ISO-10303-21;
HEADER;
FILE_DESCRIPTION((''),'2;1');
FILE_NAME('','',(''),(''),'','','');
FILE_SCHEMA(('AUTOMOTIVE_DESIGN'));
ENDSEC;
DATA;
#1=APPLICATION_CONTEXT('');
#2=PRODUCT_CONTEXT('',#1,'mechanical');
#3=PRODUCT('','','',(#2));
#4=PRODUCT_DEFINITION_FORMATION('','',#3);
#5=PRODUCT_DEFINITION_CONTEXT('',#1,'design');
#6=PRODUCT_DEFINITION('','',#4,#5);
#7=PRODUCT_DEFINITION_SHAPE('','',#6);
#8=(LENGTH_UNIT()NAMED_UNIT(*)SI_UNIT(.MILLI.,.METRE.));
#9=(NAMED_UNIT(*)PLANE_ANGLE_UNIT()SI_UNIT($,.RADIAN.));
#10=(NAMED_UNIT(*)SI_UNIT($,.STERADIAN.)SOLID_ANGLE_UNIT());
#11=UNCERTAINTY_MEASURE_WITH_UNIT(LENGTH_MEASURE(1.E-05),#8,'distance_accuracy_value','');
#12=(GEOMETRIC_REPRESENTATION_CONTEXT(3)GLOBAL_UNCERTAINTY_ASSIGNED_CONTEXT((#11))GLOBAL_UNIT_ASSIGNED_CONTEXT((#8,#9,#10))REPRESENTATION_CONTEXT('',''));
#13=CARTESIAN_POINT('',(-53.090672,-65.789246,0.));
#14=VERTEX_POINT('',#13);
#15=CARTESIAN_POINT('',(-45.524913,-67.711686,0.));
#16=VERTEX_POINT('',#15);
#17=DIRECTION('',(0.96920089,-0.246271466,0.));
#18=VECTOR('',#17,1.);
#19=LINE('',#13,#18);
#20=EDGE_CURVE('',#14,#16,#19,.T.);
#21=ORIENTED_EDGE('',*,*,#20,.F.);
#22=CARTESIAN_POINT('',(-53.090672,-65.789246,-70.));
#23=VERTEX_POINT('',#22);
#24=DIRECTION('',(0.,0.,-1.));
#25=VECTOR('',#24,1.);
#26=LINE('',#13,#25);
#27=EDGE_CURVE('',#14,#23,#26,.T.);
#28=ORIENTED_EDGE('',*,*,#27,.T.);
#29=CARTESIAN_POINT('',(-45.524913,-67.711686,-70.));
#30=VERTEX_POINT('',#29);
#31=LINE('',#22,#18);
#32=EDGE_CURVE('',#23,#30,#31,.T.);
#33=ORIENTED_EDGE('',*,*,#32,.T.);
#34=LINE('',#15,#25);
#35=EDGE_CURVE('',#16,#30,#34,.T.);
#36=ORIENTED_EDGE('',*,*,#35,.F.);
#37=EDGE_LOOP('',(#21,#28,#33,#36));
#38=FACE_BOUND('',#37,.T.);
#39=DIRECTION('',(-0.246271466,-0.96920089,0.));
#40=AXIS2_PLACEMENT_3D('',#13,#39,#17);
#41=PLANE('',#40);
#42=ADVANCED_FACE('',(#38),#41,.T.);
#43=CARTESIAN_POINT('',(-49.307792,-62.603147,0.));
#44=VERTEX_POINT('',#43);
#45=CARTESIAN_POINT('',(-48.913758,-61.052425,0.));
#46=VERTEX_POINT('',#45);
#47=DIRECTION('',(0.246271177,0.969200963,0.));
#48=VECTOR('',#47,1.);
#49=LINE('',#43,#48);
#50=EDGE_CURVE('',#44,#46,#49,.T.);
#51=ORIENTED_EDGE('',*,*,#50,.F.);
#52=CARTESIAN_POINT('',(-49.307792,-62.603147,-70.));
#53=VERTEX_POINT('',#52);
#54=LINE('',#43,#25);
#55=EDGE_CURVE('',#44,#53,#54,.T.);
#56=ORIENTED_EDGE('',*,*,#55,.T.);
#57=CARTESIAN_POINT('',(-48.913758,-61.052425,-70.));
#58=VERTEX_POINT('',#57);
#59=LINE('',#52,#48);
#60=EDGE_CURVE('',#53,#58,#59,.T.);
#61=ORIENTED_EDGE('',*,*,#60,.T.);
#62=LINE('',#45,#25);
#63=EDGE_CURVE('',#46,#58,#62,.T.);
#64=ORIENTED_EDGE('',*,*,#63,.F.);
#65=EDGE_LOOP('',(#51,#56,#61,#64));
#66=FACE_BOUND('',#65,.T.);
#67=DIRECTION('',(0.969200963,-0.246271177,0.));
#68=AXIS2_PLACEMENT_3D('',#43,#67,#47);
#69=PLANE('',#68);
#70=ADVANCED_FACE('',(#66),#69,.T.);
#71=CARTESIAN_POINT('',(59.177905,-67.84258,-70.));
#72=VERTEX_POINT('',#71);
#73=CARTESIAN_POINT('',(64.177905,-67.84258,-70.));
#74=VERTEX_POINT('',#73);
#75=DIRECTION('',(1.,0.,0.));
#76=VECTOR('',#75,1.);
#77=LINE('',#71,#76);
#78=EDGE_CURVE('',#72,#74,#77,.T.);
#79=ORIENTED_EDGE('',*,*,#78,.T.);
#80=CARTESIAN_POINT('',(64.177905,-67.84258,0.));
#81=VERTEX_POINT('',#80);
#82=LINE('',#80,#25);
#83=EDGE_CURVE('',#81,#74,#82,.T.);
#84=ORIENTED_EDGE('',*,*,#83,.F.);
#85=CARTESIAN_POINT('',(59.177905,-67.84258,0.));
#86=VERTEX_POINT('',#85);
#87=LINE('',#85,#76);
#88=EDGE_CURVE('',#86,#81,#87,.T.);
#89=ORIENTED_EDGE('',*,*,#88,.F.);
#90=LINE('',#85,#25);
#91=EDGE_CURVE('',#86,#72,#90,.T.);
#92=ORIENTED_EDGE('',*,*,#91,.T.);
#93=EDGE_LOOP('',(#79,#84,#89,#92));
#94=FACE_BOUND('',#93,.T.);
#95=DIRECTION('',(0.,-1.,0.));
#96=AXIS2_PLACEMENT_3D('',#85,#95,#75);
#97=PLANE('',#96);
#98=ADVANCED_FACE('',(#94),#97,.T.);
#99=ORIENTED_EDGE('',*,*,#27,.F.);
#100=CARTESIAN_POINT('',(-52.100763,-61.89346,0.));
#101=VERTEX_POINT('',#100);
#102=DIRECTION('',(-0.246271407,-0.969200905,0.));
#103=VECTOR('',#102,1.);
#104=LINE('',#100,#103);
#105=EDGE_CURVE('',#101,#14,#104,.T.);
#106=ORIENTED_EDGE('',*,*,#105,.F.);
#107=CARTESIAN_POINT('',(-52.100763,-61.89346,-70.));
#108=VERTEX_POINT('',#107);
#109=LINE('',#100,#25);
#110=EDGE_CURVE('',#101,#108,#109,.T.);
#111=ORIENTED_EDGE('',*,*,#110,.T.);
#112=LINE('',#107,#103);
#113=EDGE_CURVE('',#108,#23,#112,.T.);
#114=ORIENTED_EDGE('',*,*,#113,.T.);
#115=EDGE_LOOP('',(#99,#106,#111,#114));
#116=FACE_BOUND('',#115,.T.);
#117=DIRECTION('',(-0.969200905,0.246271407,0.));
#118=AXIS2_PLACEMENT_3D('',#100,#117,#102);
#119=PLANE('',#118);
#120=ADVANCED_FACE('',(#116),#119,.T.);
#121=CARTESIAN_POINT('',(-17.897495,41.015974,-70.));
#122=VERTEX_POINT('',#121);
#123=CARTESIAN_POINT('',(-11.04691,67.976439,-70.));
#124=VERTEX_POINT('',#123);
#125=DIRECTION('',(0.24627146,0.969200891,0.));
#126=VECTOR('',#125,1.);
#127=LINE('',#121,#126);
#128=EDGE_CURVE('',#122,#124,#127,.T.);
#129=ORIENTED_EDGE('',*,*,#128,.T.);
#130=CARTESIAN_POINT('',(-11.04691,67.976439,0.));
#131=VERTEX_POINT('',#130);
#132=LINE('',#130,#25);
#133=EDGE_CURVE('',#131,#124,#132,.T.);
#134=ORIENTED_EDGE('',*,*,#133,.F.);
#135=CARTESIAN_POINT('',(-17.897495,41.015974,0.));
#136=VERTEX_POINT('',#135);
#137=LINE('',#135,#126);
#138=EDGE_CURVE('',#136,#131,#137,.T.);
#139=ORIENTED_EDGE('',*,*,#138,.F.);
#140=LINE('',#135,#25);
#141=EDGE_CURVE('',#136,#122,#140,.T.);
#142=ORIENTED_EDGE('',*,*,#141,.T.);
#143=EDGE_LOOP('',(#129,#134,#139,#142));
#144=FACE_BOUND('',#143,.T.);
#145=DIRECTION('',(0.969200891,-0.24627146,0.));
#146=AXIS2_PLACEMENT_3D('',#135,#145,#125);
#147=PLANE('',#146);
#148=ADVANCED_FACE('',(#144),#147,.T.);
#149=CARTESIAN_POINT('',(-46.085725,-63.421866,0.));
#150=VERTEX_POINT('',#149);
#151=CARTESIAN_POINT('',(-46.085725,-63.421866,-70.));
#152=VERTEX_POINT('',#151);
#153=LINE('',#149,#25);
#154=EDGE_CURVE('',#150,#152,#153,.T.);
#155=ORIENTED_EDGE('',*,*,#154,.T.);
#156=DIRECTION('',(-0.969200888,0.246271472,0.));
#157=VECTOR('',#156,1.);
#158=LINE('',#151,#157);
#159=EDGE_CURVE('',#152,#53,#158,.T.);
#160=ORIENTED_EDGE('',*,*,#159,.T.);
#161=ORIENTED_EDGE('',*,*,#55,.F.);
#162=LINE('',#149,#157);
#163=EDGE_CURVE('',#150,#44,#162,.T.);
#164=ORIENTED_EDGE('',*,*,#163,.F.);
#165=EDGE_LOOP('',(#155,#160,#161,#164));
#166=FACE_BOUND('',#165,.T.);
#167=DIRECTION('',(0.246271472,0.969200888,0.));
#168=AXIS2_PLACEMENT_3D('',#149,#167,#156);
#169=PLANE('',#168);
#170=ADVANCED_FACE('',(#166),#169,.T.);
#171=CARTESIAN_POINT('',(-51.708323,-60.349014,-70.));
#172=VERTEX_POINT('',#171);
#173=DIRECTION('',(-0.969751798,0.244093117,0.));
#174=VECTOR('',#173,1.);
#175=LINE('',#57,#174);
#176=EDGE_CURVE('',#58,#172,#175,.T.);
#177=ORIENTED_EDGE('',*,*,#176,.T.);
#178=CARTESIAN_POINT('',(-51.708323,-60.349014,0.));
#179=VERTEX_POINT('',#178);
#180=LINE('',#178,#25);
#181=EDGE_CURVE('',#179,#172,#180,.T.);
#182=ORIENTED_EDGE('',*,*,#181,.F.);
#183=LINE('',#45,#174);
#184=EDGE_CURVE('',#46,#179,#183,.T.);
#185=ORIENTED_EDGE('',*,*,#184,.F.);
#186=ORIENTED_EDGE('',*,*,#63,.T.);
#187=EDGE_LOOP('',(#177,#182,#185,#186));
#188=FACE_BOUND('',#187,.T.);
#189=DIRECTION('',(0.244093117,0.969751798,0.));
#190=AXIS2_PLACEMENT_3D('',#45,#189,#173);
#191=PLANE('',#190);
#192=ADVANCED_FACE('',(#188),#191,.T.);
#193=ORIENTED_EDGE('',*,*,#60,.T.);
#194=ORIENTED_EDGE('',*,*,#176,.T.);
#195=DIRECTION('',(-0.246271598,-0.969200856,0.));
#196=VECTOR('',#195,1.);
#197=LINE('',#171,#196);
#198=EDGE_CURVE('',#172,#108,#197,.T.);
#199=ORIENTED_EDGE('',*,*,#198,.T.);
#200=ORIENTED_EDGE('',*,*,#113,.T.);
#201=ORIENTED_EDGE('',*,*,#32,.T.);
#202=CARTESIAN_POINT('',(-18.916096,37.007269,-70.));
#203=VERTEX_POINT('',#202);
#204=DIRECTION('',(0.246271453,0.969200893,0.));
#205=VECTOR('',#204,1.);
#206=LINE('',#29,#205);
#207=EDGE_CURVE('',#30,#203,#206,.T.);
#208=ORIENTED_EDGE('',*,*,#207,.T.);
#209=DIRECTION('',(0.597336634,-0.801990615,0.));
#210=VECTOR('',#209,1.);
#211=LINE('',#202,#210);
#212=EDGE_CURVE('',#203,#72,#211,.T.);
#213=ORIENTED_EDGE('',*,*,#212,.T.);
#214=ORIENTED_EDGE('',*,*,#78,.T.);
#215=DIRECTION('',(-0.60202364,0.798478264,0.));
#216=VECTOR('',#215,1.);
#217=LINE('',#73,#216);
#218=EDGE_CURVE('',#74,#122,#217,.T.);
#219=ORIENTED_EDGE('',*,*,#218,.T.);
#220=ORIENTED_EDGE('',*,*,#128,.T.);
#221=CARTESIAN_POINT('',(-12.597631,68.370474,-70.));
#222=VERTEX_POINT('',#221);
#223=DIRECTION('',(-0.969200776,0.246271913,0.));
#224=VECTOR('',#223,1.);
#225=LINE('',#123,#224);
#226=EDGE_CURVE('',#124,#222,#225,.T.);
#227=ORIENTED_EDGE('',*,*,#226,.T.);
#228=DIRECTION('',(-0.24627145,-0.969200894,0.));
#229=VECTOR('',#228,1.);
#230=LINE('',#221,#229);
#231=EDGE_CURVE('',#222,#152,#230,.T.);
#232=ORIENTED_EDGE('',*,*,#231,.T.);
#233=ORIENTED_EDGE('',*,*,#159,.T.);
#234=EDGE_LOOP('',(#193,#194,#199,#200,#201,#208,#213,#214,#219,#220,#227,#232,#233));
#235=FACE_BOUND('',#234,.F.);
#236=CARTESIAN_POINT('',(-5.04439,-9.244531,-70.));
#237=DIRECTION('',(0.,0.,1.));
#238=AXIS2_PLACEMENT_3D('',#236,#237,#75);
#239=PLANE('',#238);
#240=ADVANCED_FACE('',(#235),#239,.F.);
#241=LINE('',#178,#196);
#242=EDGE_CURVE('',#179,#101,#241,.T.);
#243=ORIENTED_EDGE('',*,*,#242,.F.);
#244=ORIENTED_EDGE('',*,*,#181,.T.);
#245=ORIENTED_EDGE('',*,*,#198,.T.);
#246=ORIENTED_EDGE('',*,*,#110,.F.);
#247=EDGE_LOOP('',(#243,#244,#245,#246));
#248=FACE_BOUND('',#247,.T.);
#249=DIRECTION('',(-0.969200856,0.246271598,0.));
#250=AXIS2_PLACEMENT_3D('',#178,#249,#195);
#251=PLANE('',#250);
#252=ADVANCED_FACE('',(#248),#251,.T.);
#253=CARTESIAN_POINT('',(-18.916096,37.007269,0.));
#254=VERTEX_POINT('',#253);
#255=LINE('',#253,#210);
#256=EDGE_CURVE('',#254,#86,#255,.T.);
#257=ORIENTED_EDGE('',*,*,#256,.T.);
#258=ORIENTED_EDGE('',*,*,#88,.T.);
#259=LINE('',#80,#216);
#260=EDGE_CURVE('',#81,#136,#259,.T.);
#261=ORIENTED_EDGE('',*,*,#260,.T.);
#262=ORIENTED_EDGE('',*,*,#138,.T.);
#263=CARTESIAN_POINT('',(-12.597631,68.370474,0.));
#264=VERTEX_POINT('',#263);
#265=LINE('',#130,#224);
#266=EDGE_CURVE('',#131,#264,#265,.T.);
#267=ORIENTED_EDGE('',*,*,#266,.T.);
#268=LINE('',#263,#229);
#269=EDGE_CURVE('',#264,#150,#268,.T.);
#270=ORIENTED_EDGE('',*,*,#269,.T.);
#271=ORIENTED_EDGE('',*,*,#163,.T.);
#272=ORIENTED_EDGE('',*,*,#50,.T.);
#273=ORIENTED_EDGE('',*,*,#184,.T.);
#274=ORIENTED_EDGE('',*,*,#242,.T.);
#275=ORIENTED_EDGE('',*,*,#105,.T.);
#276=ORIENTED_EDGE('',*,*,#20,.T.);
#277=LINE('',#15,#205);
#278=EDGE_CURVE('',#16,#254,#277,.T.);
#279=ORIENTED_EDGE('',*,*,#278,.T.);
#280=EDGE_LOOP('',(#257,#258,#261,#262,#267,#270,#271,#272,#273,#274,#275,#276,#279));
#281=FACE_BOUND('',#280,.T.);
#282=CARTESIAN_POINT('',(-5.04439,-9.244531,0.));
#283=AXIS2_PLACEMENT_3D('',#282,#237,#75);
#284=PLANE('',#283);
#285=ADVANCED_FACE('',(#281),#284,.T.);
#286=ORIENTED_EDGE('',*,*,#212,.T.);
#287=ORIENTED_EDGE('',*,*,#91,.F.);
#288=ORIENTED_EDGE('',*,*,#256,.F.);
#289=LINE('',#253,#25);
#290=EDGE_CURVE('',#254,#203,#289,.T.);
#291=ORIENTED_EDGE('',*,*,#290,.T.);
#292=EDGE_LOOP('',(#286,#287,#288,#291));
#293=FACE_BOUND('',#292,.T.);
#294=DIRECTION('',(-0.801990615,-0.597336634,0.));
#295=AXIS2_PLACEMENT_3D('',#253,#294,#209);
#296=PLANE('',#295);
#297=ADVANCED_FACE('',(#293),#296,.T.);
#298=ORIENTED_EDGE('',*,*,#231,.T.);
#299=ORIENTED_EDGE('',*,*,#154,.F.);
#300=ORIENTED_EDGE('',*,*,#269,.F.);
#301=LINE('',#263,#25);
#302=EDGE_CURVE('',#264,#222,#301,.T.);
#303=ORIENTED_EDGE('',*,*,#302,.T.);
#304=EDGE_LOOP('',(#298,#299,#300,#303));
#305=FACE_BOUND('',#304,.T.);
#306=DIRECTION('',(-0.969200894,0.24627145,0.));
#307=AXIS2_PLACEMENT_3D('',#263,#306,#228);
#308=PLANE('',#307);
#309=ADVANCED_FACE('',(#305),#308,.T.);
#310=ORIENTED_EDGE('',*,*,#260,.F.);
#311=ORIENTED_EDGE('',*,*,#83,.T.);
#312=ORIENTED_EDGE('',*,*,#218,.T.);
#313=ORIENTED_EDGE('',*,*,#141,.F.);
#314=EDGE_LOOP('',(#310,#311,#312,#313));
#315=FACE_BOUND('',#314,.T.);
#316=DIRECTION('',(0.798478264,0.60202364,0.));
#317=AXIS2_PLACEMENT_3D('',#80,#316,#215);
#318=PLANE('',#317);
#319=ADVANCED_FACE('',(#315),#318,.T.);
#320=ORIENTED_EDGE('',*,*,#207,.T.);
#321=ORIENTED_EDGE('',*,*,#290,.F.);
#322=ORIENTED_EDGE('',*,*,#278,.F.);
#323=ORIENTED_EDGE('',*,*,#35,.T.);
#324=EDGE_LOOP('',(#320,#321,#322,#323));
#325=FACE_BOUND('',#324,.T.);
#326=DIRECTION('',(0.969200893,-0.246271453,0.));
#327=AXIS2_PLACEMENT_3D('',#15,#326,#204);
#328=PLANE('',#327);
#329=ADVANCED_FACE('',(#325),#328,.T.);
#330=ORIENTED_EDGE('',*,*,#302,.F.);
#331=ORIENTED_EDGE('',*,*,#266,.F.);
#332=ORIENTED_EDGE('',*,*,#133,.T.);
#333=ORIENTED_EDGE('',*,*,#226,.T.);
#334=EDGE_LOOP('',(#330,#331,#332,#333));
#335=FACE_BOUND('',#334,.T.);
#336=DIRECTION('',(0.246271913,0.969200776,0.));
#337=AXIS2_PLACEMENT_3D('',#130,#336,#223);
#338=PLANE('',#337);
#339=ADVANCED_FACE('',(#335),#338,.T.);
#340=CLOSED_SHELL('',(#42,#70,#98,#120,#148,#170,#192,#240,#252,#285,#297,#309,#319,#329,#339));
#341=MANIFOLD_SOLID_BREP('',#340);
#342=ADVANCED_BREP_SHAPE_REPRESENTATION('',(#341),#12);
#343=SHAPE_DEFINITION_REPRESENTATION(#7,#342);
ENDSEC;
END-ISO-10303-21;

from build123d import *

# Parameters (mm, degrees)
F1_DEPTH = 70


with BuildPart() as f1:
    # F0 (on Top) → F1 (new body)
    with BuildSketch(Plane.XY):
        Polygon((-53.090672, -65.789246), (-45.524913, -67.711686), (-18.916096, 37.007269), (59.177905, -67.84258), (64.177905, -67.84258), (-17.897495, 41.015974), (-11.04691, 67.976439), (-12.597631, 68.370474), (-46.085725, -63.421866), (-49.307792, -62.603147), (-48.913758, -61.052425), (-51.708323, -60.349014), (-52.100763, -61.89346), align=None)
    extrude(amount=-F1_DEPTH)


solid = f1.part
